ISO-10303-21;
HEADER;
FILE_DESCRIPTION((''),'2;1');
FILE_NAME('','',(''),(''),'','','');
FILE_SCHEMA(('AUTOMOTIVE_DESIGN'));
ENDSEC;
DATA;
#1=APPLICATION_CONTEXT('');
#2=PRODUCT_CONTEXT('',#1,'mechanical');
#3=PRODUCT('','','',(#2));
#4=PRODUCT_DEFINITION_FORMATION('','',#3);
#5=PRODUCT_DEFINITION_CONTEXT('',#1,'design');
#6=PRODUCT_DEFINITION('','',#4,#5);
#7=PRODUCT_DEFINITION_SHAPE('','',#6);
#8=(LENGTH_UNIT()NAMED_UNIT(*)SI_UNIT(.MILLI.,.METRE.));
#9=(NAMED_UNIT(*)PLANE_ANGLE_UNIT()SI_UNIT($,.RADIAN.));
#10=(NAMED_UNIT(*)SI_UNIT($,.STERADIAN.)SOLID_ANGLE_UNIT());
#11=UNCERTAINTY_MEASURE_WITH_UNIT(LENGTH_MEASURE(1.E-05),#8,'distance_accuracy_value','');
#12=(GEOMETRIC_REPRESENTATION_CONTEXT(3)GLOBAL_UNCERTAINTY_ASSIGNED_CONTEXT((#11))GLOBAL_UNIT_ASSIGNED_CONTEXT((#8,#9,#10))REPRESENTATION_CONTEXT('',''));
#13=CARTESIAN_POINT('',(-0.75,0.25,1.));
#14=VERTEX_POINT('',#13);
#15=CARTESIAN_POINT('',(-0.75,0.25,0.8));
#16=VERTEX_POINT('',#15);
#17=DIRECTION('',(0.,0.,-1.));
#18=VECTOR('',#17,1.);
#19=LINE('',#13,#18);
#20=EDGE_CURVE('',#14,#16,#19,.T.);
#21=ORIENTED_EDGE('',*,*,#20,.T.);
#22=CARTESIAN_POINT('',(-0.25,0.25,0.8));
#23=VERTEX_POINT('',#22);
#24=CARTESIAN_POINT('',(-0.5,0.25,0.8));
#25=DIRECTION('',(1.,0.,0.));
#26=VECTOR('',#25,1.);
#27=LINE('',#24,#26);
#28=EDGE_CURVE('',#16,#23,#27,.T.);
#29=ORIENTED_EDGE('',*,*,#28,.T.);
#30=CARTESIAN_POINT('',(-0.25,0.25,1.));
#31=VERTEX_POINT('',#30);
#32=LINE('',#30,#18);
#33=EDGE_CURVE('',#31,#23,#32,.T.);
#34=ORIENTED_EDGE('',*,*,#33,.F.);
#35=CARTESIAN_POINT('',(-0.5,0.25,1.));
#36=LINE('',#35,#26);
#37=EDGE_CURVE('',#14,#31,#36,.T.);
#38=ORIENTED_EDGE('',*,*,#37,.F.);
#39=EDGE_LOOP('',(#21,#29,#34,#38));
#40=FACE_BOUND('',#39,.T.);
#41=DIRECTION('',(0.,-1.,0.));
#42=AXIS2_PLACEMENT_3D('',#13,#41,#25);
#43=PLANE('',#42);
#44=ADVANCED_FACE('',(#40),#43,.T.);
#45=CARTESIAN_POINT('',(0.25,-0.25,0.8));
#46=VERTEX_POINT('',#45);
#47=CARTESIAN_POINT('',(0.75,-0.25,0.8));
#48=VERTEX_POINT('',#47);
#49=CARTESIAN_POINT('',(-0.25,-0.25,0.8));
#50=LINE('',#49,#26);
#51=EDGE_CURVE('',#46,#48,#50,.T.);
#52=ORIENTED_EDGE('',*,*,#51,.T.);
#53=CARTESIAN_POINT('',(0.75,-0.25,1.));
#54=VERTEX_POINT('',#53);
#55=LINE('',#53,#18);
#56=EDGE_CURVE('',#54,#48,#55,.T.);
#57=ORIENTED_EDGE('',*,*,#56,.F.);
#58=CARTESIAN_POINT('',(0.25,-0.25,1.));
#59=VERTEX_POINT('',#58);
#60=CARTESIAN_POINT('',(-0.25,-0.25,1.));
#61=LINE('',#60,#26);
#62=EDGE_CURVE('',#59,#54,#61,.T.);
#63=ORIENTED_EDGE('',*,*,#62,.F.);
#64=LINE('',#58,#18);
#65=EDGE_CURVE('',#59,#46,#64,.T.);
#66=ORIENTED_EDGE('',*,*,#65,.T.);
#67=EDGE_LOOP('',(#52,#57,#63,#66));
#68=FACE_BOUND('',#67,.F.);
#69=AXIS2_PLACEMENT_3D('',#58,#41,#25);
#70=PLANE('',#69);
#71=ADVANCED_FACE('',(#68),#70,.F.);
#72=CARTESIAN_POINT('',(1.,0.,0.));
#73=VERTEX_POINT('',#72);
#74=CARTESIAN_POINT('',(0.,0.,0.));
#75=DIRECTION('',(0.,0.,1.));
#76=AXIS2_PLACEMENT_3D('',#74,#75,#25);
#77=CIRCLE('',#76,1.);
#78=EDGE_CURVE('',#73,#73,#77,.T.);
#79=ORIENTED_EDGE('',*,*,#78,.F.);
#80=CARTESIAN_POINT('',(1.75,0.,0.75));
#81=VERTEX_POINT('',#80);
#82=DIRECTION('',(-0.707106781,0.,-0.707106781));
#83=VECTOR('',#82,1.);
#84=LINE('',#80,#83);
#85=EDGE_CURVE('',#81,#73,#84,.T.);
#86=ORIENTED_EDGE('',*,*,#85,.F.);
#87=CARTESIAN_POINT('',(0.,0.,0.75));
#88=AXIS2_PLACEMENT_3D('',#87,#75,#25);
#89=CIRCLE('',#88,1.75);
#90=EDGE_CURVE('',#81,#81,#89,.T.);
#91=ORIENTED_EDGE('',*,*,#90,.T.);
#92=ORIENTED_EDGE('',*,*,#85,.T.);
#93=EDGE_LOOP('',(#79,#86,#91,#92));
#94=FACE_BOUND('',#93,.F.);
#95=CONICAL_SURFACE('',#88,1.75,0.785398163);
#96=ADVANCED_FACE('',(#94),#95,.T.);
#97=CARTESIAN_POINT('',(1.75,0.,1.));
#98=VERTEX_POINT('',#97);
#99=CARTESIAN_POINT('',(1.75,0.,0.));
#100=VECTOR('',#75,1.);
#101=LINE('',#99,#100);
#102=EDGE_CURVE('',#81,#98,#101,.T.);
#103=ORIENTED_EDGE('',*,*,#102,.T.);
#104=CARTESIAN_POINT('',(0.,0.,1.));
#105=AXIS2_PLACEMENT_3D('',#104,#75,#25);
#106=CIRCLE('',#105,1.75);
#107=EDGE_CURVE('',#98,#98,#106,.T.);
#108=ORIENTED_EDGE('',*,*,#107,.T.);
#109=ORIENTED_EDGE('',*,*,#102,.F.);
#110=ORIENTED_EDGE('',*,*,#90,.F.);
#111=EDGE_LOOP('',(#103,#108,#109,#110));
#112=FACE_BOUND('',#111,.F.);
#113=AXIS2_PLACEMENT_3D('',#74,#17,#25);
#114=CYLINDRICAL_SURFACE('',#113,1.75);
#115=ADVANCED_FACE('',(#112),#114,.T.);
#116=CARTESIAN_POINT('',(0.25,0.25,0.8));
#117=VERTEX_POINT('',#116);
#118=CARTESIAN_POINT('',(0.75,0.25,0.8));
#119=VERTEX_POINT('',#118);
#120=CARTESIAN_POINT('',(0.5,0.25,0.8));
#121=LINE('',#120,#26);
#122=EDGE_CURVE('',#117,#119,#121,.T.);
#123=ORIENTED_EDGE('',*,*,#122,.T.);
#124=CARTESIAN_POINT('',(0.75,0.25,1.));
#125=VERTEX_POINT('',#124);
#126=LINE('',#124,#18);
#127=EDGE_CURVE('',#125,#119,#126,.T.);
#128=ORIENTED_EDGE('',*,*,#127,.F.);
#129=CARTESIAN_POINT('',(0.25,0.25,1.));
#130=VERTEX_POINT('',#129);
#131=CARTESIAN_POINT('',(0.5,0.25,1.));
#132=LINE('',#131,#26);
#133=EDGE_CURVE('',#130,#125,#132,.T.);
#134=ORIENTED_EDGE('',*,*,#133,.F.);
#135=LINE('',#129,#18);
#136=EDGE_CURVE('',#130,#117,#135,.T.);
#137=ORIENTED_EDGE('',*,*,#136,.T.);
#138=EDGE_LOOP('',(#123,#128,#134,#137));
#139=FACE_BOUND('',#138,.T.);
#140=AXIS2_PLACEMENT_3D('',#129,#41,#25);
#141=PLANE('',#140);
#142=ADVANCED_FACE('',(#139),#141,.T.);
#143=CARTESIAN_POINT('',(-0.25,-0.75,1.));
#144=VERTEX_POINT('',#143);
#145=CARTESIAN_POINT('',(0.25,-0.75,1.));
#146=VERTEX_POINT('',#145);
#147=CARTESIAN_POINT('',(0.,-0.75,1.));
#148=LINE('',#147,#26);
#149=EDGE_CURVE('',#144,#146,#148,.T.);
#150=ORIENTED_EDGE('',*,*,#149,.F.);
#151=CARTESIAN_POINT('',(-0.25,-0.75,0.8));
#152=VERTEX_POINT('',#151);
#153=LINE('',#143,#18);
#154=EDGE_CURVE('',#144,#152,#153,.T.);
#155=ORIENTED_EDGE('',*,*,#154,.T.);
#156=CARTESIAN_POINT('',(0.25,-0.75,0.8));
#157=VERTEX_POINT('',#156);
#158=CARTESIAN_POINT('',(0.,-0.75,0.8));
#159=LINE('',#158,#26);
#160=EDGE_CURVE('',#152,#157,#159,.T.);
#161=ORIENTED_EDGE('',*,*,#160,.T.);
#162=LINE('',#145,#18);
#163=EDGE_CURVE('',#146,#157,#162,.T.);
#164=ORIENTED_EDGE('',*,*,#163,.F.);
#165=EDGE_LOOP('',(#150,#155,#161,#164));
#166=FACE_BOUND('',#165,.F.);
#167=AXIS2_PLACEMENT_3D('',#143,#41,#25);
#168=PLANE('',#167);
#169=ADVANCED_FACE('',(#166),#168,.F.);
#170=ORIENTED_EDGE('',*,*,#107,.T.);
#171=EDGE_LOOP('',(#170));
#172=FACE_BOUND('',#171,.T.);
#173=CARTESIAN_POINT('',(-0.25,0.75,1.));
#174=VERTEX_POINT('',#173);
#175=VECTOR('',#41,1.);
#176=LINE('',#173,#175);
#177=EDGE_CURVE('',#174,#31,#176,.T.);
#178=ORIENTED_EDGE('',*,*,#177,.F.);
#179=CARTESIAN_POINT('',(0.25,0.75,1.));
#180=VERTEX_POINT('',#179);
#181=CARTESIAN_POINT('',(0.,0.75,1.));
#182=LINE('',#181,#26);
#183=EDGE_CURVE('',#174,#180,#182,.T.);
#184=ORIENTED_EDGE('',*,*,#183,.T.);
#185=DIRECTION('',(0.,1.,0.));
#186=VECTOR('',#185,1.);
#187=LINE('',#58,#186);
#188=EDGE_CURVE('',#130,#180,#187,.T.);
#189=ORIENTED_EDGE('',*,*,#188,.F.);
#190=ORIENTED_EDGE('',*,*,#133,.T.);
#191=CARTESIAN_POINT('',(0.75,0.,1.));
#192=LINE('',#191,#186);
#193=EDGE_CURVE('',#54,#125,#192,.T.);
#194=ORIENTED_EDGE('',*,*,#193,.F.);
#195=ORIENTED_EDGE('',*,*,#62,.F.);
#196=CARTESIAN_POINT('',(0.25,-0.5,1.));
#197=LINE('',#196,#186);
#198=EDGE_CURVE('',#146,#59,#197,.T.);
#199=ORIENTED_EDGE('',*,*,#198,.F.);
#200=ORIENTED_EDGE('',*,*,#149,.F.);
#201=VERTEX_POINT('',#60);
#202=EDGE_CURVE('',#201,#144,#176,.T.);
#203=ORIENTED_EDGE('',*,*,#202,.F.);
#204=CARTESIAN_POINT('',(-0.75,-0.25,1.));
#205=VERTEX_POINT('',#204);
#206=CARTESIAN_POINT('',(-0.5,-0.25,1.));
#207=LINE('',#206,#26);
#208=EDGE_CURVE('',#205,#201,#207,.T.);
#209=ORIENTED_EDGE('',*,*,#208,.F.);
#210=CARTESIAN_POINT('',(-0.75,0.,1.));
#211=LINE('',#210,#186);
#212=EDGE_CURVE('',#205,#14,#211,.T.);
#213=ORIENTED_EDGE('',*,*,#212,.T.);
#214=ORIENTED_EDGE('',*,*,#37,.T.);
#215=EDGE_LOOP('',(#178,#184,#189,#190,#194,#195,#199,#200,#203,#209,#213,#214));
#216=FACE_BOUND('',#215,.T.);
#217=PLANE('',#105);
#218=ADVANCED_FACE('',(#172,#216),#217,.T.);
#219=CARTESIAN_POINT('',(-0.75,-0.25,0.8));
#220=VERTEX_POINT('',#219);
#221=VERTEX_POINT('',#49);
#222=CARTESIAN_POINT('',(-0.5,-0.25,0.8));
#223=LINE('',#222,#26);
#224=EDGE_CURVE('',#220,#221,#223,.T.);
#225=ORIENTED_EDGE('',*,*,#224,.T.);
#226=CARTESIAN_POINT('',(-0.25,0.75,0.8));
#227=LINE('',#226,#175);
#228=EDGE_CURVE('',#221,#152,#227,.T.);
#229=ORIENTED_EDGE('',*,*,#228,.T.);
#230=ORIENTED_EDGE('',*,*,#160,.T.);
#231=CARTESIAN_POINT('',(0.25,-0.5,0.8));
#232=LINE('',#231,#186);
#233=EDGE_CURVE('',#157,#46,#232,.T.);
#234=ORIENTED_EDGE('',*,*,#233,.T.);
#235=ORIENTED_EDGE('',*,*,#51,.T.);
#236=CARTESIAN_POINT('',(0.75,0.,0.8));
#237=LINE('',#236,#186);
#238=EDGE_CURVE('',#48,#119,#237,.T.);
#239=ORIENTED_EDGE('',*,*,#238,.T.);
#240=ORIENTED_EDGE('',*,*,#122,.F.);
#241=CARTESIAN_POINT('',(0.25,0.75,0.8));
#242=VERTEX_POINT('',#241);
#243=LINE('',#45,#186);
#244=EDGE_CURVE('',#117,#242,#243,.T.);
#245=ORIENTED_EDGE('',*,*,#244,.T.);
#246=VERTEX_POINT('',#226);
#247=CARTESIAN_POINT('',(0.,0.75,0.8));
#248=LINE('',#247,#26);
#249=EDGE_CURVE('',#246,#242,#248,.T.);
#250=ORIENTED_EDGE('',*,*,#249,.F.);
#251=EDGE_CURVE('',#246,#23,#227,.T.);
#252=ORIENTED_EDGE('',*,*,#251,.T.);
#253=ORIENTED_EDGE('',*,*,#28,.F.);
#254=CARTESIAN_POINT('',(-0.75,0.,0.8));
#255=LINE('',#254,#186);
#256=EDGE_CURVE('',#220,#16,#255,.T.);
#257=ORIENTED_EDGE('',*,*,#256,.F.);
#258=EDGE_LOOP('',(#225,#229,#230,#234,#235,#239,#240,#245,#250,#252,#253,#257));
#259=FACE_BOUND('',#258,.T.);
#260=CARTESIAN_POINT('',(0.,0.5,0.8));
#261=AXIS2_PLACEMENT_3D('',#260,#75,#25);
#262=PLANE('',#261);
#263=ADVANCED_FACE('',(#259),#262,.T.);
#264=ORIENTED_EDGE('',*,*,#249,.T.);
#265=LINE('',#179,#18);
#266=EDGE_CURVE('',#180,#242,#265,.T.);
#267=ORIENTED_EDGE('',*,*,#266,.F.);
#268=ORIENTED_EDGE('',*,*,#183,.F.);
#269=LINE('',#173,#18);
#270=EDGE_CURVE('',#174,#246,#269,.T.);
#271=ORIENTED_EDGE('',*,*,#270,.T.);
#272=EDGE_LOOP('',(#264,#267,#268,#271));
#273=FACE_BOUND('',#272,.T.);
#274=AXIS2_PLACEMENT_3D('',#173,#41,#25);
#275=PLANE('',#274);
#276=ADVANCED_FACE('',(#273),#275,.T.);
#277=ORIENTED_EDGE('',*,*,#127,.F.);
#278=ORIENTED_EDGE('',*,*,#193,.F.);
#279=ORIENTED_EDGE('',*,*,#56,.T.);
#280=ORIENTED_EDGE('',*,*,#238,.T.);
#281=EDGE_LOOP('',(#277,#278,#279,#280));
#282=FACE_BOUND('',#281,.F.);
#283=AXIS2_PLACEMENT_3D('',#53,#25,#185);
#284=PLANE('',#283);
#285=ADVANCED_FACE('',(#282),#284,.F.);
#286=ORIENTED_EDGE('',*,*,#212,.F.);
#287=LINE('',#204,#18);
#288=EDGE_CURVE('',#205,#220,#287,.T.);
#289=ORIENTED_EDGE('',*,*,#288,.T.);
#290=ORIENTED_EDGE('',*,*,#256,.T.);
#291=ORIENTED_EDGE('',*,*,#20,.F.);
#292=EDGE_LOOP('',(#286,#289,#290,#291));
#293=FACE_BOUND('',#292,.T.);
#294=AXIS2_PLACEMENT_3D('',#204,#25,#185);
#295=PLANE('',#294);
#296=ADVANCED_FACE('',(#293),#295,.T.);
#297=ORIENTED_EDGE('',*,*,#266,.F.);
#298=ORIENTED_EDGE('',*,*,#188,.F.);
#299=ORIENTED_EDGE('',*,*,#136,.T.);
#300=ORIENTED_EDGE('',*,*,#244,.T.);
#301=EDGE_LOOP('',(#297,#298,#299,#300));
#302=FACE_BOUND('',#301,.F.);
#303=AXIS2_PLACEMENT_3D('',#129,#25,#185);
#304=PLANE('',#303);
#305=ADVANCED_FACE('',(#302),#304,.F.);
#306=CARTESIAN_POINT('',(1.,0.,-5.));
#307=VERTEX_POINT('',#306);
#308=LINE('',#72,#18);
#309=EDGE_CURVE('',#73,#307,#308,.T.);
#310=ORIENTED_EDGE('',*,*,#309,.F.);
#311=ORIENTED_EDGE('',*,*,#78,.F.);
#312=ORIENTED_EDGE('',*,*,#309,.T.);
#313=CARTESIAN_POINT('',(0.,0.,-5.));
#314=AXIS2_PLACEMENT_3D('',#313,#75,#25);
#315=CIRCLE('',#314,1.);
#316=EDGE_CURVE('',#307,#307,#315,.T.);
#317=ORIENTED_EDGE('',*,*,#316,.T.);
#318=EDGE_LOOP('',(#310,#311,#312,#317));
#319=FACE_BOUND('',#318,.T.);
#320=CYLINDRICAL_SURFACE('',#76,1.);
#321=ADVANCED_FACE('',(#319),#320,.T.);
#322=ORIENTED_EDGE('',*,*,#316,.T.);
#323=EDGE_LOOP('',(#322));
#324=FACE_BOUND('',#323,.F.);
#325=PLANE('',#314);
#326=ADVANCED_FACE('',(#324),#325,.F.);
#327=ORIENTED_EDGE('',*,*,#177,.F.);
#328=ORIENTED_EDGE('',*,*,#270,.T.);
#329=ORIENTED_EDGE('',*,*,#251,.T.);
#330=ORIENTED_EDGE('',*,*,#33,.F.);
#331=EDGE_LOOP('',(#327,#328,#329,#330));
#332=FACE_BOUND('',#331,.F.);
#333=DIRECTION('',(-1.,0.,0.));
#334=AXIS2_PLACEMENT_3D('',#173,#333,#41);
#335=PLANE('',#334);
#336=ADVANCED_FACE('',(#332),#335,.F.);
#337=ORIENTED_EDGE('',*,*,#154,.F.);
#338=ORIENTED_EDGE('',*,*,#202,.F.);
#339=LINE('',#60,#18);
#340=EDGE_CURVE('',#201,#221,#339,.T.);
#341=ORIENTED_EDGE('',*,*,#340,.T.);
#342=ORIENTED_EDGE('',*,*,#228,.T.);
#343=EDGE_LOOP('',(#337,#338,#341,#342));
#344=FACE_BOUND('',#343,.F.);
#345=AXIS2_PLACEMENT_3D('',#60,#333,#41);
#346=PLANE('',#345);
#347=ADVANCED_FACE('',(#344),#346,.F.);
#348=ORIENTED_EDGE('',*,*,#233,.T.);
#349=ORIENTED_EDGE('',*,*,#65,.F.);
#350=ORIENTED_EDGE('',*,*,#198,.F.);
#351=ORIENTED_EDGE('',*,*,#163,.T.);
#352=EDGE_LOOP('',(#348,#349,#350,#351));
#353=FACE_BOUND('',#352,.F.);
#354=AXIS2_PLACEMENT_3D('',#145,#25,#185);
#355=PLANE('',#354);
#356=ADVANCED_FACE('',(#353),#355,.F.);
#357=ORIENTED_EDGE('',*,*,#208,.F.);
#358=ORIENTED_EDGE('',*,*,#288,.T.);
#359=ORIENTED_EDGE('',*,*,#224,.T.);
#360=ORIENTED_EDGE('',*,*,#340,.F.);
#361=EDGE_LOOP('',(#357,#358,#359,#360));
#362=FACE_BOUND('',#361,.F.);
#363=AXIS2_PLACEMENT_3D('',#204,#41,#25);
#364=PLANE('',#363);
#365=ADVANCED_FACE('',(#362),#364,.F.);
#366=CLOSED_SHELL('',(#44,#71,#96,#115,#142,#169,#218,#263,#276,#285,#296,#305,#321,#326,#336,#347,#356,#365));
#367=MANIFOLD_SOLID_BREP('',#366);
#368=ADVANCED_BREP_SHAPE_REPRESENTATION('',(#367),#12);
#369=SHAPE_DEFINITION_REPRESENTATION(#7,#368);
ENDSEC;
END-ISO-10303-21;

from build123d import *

# Parameters (mm, degrees)
F0_R     = 1.75
F1_DEPTH = 1
F2_SIZE  = 0.75
F3_DEPTH = 5
F4_W     = 0.5
F4_H     = 0.5
F5_DEPTH = 0.2


with BuildPart() as f1:
    # F0 (on Top) → F1 (new body)
    with BuildSketch(Plane.XY):
        Circle(F0_R)
    extrude(amount=F1_DEPTH)

    # F2
    f2_edges = [f1.edges().sort_by_distance(p)[0] for p in [
        (-1.75, 0, 0),
    ]]
    chamfer(f2_edges, length=F2_SIZE)

    # F3 (add): a face of the model
    f3_faces = [f1.faces().sort_by_distance(p)[0] for p in [
        (0, 0, 0),
    ]]
    extrude(f3_faces, amount=F3_DEPTH)

    # F4 (on face) → F5 (cut)
    with BuildSketch(Plane.XY.offset(1)):
        with Locations((0, 0.5)):
            Rectangle(F4_W, F4_H)
        Rectangle(F4_W, F4_H)
        with Locations((0.5, 0)):
            Rectangle(F4_W, F4_H)
        with Locations((0, -0.5)):
            Rectangle(F4_W, F4_H)
        with Locations((-0.5, 0)):
            Rectangle(F4_W, F4_H)
    extrude(amount=-F5_DEPTH, mode=Mode.SUBTRACT)


solid = f1.part
